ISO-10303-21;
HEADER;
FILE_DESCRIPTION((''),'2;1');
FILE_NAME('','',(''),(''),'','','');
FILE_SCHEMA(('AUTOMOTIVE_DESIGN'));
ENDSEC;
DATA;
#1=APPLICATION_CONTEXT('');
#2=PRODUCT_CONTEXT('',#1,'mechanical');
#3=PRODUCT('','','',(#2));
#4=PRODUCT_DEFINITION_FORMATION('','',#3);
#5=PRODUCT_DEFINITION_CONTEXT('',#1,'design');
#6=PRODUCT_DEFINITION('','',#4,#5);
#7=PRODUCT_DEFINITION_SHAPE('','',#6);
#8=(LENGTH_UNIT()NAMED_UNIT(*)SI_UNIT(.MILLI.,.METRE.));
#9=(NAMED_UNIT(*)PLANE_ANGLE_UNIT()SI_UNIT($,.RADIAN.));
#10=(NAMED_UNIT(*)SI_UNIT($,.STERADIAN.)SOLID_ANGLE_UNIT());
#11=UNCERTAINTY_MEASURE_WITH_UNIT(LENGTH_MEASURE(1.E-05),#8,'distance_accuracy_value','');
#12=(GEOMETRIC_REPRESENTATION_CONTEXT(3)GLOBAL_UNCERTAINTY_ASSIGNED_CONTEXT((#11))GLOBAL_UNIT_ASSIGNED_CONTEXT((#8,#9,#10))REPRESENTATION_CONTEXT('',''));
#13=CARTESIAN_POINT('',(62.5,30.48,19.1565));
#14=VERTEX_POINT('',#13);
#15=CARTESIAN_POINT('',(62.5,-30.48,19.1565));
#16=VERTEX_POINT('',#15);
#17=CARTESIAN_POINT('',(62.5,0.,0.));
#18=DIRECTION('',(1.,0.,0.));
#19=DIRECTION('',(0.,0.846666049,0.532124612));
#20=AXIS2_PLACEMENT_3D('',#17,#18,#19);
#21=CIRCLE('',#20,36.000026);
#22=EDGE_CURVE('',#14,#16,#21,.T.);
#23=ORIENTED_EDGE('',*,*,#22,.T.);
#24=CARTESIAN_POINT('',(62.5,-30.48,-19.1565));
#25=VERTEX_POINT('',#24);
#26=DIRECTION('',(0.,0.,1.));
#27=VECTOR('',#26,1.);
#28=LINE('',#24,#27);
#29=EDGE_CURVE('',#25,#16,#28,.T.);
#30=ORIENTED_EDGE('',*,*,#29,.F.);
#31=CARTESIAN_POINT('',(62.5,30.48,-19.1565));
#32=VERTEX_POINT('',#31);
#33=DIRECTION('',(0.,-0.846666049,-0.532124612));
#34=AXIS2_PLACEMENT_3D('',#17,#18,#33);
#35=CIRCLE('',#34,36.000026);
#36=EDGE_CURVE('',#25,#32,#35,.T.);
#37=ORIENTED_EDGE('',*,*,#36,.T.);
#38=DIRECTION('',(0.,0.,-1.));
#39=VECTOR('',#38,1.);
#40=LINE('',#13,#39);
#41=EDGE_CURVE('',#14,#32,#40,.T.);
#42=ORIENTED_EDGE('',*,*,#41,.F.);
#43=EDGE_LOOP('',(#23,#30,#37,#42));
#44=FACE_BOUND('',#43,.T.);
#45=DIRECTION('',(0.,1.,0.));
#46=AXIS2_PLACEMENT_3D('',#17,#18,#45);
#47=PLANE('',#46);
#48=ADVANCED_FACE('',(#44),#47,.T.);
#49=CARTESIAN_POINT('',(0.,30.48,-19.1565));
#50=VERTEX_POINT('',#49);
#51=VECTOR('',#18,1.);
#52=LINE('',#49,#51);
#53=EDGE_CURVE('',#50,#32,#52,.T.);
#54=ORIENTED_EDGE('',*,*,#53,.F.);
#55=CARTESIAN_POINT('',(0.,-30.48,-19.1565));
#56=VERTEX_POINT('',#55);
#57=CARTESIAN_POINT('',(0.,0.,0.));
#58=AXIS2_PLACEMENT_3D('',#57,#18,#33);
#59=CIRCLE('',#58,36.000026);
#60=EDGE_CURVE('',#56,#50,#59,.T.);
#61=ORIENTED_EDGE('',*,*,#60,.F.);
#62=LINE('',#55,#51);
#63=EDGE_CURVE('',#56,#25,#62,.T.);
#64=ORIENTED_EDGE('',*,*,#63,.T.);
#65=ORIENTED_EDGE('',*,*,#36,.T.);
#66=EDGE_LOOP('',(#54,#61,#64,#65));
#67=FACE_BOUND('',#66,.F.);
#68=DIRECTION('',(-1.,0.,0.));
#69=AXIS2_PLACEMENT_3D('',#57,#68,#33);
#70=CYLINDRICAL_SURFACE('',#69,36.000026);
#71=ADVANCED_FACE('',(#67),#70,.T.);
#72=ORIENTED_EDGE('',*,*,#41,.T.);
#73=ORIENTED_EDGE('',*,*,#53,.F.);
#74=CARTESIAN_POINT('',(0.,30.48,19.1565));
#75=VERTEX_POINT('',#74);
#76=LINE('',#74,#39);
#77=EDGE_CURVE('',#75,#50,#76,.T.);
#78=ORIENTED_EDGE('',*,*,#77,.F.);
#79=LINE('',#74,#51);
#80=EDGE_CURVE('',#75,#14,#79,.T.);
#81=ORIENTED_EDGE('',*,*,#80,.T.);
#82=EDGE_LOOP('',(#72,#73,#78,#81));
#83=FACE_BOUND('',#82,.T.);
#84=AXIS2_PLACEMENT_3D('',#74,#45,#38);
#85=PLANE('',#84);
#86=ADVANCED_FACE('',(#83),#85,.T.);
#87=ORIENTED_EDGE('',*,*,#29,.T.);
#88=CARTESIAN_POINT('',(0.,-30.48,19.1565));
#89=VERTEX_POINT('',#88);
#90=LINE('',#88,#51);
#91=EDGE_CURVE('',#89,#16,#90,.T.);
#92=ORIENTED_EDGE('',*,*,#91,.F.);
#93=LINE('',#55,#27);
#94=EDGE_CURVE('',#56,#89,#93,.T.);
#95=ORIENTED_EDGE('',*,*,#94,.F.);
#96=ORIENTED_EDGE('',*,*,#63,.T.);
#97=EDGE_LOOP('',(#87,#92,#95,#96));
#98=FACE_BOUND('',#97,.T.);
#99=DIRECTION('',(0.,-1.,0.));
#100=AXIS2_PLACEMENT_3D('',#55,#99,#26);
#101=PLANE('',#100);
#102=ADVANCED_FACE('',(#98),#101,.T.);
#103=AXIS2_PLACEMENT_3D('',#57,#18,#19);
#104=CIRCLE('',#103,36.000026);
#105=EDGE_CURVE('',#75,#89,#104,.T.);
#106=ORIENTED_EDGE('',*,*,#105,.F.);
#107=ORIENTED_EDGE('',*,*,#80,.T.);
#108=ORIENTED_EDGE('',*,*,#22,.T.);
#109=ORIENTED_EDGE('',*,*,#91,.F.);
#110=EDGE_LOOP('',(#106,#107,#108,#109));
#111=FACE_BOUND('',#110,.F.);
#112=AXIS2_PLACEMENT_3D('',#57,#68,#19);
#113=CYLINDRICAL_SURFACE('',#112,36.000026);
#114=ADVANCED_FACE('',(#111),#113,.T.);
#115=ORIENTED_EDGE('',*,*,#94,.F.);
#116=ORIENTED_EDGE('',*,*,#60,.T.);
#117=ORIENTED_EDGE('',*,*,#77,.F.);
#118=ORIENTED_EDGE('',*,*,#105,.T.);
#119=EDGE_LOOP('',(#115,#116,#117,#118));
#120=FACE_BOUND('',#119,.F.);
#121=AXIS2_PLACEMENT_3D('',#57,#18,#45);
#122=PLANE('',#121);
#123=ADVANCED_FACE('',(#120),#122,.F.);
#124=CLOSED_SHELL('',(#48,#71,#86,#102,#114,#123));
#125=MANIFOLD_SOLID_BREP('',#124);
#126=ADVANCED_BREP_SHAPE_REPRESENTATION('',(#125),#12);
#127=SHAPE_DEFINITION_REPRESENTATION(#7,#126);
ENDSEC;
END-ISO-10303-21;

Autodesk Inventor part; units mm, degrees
ref_plane "YZ Plane" through (0, 0, 0) normal (1, 0, 0) x (0, 1, 0)
ref_plane "XZ Plane" through (0, 0, 0) normal (0, 1, 0) x (-1, 0, 0)
ref_plane "XY Plane" through (0, 0, 0) normal (0, 0, 1) x (1, 0, 0)
sketch "Sketch1" plane through (0, 0, 0) normal (1, 0, 0) x (0, 1, 0)
  line L0 (30.48, 19.1565) -> (30.48, -19.1565)
  line L1 (-30.48, -19.1565) -> (-30.48, 19.1565)
  arc A0 (30.48, 19.1565) -> (-30.48, 19.1565) centre (0, 0) ccw
  arc A1 (-30.48, -19.1565) -> (30.48, -19.1565) centre (0, 0) ccw
  dimension "d1" = 60.96
  dimension "d2" = 30.48
  dimension "d3" = 36
  dimension "d4" = 36
extrude "Extrusion1" add sketch "Sketch1" along normal blind 62.5
properties part number "BattleBotmotormock"
